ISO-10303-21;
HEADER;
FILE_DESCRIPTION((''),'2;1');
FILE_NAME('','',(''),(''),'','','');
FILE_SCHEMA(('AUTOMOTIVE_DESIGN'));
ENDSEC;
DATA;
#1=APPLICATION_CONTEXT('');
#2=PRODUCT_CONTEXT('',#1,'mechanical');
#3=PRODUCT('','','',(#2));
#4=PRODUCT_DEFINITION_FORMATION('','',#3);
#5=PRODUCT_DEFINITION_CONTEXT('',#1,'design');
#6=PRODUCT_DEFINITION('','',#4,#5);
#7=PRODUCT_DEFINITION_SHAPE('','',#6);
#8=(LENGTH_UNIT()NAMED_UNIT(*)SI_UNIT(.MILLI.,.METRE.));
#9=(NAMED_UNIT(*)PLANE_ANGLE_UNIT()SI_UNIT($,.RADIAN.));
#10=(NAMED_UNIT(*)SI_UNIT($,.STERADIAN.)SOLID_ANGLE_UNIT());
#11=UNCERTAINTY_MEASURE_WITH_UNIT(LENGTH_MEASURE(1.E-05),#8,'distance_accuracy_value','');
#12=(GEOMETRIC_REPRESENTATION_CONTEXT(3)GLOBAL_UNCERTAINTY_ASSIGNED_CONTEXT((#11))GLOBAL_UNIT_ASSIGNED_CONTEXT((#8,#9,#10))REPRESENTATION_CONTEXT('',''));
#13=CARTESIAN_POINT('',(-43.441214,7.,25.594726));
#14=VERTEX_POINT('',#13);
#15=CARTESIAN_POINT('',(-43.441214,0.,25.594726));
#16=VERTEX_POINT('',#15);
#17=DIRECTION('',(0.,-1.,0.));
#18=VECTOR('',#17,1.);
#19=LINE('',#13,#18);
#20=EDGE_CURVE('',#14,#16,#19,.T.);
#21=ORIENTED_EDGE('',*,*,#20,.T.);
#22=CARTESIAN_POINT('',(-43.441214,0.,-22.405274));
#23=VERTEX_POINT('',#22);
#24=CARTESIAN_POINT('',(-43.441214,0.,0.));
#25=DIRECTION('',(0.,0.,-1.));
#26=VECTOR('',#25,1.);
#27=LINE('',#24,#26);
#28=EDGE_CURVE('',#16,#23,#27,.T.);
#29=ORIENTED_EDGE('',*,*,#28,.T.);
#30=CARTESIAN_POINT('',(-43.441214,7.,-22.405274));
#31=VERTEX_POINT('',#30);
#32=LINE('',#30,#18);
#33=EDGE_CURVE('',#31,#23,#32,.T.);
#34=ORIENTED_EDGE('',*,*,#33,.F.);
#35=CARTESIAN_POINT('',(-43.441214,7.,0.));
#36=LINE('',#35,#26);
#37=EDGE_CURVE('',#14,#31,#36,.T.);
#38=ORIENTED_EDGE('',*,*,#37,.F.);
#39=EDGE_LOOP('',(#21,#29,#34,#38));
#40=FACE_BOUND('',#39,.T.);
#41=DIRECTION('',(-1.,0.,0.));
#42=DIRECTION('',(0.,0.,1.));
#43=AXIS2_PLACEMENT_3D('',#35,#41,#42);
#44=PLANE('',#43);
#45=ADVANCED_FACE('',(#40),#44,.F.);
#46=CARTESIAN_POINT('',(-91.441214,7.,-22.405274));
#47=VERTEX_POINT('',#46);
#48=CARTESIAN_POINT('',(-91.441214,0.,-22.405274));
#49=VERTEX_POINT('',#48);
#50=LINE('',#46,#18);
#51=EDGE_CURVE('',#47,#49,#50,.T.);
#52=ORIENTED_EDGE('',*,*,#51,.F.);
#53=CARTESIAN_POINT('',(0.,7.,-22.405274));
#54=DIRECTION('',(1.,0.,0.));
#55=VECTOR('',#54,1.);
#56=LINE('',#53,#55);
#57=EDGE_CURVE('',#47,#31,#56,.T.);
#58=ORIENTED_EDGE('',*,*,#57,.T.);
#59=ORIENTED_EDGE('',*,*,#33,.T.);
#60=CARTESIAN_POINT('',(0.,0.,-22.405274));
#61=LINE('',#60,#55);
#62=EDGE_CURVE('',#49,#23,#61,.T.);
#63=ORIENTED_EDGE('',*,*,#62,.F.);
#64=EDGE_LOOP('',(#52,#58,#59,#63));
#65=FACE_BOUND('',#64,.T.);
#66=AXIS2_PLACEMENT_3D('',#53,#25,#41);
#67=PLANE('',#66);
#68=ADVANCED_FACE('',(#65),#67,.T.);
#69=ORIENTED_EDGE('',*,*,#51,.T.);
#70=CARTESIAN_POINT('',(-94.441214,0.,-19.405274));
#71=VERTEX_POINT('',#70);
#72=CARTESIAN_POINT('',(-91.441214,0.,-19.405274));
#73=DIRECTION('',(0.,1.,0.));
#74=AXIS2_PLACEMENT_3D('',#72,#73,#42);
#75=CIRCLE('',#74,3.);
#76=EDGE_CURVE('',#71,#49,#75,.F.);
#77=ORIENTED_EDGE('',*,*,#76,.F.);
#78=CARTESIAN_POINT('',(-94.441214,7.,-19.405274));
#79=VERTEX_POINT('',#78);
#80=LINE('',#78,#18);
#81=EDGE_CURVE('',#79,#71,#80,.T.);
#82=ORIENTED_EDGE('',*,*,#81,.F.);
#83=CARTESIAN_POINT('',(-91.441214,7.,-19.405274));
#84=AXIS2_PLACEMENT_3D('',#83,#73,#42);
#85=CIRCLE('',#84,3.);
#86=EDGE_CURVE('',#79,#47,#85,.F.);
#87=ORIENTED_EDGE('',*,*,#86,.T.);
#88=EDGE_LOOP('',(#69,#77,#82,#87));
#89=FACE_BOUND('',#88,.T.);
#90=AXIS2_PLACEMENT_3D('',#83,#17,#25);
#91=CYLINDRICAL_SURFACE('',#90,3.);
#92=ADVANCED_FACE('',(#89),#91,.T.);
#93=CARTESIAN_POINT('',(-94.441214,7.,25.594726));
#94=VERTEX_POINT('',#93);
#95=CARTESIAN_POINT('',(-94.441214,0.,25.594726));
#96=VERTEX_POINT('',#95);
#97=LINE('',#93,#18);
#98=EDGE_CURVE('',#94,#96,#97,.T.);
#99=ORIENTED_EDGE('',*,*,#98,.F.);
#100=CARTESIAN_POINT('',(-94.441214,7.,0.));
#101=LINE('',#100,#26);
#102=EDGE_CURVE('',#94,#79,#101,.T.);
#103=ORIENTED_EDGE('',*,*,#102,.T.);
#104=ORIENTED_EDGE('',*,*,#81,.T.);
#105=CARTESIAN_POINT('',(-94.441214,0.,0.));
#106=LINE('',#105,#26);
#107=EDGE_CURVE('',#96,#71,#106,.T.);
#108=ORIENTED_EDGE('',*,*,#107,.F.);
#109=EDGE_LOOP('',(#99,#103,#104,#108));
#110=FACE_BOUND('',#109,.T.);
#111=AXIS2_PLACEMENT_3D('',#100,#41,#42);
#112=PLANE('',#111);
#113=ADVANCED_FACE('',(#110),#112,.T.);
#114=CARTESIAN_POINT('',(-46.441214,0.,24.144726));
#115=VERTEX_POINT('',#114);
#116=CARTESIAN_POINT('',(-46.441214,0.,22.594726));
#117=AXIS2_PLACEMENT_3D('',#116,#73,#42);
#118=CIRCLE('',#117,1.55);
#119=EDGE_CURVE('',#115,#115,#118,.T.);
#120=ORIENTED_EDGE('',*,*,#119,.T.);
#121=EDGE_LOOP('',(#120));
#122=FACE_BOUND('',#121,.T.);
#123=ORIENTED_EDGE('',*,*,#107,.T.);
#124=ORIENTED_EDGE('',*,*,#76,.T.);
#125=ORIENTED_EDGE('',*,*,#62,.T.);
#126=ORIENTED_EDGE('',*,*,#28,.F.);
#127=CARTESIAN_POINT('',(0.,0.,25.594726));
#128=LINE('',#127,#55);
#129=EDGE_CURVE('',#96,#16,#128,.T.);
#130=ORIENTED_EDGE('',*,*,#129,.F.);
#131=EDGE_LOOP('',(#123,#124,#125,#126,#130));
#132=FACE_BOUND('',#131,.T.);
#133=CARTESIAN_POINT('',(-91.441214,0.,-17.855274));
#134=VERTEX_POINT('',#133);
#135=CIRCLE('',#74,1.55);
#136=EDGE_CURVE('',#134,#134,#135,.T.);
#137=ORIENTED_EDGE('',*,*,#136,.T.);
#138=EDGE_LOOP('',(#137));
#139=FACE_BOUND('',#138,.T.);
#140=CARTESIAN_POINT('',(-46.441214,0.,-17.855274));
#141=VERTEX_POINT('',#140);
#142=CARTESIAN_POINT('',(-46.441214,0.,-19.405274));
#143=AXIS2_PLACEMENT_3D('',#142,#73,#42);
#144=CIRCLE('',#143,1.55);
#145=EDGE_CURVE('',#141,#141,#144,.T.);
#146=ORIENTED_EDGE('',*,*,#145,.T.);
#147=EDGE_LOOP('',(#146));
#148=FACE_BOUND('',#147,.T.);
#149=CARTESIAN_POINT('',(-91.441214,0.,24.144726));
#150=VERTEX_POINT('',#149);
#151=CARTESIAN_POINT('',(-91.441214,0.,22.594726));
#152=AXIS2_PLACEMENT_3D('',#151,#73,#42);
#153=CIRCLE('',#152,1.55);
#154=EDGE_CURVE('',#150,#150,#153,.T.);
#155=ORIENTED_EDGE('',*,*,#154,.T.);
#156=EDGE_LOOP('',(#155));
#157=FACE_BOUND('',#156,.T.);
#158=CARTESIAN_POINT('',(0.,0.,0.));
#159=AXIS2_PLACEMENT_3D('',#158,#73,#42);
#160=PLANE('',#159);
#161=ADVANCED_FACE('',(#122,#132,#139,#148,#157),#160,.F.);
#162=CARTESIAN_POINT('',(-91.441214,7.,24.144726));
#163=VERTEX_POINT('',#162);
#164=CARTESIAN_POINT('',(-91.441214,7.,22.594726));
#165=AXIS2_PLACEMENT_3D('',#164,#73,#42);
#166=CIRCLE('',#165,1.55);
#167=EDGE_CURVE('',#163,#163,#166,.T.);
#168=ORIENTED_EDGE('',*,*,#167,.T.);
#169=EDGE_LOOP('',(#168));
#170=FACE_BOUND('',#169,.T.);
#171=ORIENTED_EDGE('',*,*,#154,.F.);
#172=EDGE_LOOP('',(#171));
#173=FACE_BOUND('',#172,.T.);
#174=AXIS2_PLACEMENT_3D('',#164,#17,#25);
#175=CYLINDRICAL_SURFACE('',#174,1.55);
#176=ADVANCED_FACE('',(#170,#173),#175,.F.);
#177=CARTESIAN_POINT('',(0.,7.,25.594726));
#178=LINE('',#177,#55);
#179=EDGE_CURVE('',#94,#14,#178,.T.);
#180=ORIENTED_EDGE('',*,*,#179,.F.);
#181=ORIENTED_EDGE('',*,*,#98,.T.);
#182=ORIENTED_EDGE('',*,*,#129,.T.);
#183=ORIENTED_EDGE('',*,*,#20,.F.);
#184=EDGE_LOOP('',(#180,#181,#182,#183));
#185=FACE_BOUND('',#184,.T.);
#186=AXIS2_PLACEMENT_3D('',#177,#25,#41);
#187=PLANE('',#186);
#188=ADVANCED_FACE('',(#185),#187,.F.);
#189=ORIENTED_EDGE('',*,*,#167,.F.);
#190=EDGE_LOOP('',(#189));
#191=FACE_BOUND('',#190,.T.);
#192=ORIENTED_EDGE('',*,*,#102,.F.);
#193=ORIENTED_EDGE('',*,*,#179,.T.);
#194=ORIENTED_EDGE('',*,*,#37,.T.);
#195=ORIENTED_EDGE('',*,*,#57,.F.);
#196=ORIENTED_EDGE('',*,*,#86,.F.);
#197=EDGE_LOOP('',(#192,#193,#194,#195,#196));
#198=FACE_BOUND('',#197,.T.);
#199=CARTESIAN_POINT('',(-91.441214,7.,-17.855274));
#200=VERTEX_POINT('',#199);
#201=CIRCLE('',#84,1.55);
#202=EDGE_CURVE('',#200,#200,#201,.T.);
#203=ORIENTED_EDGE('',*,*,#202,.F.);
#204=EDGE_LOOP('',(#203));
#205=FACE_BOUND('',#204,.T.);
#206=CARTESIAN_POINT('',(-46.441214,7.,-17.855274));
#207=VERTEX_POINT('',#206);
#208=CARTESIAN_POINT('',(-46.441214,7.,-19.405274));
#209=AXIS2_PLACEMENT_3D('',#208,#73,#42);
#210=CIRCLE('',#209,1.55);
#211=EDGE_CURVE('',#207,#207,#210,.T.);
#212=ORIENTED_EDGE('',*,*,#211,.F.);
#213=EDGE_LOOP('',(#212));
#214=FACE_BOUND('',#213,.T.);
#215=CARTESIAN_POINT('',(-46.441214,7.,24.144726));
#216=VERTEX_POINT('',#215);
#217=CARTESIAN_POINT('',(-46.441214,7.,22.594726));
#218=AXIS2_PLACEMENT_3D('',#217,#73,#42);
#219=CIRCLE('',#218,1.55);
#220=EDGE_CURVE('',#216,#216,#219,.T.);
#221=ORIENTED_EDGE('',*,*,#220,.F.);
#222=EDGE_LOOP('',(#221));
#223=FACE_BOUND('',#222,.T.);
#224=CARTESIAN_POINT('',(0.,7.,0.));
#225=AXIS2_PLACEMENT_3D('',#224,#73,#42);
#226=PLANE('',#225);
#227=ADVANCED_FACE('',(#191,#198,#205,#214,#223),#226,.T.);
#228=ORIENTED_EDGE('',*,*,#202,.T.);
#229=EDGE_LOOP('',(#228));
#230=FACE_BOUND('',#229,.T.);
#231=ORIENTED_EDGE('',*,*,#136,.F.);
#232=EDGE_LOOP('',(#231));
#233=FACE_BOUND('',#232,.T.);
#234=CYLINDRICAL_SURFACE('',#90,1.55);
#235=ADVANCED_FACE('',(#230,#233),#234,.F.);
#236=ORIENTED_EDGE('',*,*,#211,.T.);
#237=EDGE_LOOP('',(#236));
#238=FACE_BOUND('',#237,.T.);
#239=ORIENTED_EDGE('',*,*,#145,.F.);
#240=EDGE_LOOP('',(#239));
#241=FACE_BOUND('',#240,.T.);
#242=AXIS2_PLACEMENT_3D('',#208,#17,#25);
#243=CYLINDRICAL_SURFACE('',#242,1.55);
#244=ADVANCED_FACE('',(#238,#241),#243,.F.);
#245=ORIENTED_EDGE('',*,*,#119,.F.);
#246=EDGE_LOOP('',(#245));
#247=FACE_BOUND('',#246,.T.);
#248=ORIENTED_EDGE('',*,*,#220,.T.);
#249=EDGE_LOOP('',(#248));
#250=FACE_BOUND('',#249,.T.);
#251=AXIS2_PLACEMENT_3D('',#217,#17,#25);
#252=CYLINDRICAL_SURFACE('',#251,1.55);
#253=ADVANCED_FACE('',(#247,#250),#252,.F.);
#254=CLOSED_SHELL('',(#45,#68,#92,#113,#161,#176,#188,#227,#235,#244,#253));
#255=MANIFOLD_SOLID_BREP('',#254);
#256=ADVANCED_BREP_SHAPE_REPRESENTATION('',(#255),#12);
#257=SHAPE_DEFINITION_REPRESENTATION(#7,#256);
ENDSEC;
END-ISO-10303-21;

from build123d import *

# Parameters (mm, degrees)
SKETCH1_R           = 1.55
BOSS_EXTRUDE1_DEPTH = 7


with BuildPart() as part:
    # Sketch1 → Boss-Extrude1 (new body)
    with BuildSketch(Plane(origin=(0, 0, 0), x_dir=(1, 0, 0), z_dir=(0, 1, 0))):
        with BuildLine():
            Line((-94.441213517, -25.59472558), (-43.441213517, -25.59472558))
            Line((-43.441213517, -25.59472558), (-43.441213517, 22.40527442))
            Line((-43.441213517, 22.40527442), (-91.441213517, 22.40527442))
            ThreePointArc((-91.441213517, 22.40527442), (-93.562533861, 21.526594764), (-94.441213517, 19.40527442))
            Line((-94.441213517, 19.40527442), (-94.441213517, -25.59472558))
        make_face()
        with Locations(Location((-46.441213517, 19.40527442, 0), (0, 0, 270))):
            Circle(SKETCH1_R, mode=Mode.SUBTRACT)
        with Locations(Location((-46.441213517, -22.59472558, 0), (0, 0, 270))):
            Circle(SKETCH1_R, mode=Mode.SUBTRACT)
        with Locations(Location((-91.441213517, -22.59472558, 0), (0, 0, 270))):
            Circle(SKETCH1_R, mode=Mode.SUBTRACT)
        with Locations(Location((-91.441213517, 19.40527442, 0), (0, 0, 270))):
            Circle(SKETCH1_R, mode=Mode.SUBTRACT)
    extrude(amount=BOSS_EXTRUDE1_DEPTH)


solid = part.part
